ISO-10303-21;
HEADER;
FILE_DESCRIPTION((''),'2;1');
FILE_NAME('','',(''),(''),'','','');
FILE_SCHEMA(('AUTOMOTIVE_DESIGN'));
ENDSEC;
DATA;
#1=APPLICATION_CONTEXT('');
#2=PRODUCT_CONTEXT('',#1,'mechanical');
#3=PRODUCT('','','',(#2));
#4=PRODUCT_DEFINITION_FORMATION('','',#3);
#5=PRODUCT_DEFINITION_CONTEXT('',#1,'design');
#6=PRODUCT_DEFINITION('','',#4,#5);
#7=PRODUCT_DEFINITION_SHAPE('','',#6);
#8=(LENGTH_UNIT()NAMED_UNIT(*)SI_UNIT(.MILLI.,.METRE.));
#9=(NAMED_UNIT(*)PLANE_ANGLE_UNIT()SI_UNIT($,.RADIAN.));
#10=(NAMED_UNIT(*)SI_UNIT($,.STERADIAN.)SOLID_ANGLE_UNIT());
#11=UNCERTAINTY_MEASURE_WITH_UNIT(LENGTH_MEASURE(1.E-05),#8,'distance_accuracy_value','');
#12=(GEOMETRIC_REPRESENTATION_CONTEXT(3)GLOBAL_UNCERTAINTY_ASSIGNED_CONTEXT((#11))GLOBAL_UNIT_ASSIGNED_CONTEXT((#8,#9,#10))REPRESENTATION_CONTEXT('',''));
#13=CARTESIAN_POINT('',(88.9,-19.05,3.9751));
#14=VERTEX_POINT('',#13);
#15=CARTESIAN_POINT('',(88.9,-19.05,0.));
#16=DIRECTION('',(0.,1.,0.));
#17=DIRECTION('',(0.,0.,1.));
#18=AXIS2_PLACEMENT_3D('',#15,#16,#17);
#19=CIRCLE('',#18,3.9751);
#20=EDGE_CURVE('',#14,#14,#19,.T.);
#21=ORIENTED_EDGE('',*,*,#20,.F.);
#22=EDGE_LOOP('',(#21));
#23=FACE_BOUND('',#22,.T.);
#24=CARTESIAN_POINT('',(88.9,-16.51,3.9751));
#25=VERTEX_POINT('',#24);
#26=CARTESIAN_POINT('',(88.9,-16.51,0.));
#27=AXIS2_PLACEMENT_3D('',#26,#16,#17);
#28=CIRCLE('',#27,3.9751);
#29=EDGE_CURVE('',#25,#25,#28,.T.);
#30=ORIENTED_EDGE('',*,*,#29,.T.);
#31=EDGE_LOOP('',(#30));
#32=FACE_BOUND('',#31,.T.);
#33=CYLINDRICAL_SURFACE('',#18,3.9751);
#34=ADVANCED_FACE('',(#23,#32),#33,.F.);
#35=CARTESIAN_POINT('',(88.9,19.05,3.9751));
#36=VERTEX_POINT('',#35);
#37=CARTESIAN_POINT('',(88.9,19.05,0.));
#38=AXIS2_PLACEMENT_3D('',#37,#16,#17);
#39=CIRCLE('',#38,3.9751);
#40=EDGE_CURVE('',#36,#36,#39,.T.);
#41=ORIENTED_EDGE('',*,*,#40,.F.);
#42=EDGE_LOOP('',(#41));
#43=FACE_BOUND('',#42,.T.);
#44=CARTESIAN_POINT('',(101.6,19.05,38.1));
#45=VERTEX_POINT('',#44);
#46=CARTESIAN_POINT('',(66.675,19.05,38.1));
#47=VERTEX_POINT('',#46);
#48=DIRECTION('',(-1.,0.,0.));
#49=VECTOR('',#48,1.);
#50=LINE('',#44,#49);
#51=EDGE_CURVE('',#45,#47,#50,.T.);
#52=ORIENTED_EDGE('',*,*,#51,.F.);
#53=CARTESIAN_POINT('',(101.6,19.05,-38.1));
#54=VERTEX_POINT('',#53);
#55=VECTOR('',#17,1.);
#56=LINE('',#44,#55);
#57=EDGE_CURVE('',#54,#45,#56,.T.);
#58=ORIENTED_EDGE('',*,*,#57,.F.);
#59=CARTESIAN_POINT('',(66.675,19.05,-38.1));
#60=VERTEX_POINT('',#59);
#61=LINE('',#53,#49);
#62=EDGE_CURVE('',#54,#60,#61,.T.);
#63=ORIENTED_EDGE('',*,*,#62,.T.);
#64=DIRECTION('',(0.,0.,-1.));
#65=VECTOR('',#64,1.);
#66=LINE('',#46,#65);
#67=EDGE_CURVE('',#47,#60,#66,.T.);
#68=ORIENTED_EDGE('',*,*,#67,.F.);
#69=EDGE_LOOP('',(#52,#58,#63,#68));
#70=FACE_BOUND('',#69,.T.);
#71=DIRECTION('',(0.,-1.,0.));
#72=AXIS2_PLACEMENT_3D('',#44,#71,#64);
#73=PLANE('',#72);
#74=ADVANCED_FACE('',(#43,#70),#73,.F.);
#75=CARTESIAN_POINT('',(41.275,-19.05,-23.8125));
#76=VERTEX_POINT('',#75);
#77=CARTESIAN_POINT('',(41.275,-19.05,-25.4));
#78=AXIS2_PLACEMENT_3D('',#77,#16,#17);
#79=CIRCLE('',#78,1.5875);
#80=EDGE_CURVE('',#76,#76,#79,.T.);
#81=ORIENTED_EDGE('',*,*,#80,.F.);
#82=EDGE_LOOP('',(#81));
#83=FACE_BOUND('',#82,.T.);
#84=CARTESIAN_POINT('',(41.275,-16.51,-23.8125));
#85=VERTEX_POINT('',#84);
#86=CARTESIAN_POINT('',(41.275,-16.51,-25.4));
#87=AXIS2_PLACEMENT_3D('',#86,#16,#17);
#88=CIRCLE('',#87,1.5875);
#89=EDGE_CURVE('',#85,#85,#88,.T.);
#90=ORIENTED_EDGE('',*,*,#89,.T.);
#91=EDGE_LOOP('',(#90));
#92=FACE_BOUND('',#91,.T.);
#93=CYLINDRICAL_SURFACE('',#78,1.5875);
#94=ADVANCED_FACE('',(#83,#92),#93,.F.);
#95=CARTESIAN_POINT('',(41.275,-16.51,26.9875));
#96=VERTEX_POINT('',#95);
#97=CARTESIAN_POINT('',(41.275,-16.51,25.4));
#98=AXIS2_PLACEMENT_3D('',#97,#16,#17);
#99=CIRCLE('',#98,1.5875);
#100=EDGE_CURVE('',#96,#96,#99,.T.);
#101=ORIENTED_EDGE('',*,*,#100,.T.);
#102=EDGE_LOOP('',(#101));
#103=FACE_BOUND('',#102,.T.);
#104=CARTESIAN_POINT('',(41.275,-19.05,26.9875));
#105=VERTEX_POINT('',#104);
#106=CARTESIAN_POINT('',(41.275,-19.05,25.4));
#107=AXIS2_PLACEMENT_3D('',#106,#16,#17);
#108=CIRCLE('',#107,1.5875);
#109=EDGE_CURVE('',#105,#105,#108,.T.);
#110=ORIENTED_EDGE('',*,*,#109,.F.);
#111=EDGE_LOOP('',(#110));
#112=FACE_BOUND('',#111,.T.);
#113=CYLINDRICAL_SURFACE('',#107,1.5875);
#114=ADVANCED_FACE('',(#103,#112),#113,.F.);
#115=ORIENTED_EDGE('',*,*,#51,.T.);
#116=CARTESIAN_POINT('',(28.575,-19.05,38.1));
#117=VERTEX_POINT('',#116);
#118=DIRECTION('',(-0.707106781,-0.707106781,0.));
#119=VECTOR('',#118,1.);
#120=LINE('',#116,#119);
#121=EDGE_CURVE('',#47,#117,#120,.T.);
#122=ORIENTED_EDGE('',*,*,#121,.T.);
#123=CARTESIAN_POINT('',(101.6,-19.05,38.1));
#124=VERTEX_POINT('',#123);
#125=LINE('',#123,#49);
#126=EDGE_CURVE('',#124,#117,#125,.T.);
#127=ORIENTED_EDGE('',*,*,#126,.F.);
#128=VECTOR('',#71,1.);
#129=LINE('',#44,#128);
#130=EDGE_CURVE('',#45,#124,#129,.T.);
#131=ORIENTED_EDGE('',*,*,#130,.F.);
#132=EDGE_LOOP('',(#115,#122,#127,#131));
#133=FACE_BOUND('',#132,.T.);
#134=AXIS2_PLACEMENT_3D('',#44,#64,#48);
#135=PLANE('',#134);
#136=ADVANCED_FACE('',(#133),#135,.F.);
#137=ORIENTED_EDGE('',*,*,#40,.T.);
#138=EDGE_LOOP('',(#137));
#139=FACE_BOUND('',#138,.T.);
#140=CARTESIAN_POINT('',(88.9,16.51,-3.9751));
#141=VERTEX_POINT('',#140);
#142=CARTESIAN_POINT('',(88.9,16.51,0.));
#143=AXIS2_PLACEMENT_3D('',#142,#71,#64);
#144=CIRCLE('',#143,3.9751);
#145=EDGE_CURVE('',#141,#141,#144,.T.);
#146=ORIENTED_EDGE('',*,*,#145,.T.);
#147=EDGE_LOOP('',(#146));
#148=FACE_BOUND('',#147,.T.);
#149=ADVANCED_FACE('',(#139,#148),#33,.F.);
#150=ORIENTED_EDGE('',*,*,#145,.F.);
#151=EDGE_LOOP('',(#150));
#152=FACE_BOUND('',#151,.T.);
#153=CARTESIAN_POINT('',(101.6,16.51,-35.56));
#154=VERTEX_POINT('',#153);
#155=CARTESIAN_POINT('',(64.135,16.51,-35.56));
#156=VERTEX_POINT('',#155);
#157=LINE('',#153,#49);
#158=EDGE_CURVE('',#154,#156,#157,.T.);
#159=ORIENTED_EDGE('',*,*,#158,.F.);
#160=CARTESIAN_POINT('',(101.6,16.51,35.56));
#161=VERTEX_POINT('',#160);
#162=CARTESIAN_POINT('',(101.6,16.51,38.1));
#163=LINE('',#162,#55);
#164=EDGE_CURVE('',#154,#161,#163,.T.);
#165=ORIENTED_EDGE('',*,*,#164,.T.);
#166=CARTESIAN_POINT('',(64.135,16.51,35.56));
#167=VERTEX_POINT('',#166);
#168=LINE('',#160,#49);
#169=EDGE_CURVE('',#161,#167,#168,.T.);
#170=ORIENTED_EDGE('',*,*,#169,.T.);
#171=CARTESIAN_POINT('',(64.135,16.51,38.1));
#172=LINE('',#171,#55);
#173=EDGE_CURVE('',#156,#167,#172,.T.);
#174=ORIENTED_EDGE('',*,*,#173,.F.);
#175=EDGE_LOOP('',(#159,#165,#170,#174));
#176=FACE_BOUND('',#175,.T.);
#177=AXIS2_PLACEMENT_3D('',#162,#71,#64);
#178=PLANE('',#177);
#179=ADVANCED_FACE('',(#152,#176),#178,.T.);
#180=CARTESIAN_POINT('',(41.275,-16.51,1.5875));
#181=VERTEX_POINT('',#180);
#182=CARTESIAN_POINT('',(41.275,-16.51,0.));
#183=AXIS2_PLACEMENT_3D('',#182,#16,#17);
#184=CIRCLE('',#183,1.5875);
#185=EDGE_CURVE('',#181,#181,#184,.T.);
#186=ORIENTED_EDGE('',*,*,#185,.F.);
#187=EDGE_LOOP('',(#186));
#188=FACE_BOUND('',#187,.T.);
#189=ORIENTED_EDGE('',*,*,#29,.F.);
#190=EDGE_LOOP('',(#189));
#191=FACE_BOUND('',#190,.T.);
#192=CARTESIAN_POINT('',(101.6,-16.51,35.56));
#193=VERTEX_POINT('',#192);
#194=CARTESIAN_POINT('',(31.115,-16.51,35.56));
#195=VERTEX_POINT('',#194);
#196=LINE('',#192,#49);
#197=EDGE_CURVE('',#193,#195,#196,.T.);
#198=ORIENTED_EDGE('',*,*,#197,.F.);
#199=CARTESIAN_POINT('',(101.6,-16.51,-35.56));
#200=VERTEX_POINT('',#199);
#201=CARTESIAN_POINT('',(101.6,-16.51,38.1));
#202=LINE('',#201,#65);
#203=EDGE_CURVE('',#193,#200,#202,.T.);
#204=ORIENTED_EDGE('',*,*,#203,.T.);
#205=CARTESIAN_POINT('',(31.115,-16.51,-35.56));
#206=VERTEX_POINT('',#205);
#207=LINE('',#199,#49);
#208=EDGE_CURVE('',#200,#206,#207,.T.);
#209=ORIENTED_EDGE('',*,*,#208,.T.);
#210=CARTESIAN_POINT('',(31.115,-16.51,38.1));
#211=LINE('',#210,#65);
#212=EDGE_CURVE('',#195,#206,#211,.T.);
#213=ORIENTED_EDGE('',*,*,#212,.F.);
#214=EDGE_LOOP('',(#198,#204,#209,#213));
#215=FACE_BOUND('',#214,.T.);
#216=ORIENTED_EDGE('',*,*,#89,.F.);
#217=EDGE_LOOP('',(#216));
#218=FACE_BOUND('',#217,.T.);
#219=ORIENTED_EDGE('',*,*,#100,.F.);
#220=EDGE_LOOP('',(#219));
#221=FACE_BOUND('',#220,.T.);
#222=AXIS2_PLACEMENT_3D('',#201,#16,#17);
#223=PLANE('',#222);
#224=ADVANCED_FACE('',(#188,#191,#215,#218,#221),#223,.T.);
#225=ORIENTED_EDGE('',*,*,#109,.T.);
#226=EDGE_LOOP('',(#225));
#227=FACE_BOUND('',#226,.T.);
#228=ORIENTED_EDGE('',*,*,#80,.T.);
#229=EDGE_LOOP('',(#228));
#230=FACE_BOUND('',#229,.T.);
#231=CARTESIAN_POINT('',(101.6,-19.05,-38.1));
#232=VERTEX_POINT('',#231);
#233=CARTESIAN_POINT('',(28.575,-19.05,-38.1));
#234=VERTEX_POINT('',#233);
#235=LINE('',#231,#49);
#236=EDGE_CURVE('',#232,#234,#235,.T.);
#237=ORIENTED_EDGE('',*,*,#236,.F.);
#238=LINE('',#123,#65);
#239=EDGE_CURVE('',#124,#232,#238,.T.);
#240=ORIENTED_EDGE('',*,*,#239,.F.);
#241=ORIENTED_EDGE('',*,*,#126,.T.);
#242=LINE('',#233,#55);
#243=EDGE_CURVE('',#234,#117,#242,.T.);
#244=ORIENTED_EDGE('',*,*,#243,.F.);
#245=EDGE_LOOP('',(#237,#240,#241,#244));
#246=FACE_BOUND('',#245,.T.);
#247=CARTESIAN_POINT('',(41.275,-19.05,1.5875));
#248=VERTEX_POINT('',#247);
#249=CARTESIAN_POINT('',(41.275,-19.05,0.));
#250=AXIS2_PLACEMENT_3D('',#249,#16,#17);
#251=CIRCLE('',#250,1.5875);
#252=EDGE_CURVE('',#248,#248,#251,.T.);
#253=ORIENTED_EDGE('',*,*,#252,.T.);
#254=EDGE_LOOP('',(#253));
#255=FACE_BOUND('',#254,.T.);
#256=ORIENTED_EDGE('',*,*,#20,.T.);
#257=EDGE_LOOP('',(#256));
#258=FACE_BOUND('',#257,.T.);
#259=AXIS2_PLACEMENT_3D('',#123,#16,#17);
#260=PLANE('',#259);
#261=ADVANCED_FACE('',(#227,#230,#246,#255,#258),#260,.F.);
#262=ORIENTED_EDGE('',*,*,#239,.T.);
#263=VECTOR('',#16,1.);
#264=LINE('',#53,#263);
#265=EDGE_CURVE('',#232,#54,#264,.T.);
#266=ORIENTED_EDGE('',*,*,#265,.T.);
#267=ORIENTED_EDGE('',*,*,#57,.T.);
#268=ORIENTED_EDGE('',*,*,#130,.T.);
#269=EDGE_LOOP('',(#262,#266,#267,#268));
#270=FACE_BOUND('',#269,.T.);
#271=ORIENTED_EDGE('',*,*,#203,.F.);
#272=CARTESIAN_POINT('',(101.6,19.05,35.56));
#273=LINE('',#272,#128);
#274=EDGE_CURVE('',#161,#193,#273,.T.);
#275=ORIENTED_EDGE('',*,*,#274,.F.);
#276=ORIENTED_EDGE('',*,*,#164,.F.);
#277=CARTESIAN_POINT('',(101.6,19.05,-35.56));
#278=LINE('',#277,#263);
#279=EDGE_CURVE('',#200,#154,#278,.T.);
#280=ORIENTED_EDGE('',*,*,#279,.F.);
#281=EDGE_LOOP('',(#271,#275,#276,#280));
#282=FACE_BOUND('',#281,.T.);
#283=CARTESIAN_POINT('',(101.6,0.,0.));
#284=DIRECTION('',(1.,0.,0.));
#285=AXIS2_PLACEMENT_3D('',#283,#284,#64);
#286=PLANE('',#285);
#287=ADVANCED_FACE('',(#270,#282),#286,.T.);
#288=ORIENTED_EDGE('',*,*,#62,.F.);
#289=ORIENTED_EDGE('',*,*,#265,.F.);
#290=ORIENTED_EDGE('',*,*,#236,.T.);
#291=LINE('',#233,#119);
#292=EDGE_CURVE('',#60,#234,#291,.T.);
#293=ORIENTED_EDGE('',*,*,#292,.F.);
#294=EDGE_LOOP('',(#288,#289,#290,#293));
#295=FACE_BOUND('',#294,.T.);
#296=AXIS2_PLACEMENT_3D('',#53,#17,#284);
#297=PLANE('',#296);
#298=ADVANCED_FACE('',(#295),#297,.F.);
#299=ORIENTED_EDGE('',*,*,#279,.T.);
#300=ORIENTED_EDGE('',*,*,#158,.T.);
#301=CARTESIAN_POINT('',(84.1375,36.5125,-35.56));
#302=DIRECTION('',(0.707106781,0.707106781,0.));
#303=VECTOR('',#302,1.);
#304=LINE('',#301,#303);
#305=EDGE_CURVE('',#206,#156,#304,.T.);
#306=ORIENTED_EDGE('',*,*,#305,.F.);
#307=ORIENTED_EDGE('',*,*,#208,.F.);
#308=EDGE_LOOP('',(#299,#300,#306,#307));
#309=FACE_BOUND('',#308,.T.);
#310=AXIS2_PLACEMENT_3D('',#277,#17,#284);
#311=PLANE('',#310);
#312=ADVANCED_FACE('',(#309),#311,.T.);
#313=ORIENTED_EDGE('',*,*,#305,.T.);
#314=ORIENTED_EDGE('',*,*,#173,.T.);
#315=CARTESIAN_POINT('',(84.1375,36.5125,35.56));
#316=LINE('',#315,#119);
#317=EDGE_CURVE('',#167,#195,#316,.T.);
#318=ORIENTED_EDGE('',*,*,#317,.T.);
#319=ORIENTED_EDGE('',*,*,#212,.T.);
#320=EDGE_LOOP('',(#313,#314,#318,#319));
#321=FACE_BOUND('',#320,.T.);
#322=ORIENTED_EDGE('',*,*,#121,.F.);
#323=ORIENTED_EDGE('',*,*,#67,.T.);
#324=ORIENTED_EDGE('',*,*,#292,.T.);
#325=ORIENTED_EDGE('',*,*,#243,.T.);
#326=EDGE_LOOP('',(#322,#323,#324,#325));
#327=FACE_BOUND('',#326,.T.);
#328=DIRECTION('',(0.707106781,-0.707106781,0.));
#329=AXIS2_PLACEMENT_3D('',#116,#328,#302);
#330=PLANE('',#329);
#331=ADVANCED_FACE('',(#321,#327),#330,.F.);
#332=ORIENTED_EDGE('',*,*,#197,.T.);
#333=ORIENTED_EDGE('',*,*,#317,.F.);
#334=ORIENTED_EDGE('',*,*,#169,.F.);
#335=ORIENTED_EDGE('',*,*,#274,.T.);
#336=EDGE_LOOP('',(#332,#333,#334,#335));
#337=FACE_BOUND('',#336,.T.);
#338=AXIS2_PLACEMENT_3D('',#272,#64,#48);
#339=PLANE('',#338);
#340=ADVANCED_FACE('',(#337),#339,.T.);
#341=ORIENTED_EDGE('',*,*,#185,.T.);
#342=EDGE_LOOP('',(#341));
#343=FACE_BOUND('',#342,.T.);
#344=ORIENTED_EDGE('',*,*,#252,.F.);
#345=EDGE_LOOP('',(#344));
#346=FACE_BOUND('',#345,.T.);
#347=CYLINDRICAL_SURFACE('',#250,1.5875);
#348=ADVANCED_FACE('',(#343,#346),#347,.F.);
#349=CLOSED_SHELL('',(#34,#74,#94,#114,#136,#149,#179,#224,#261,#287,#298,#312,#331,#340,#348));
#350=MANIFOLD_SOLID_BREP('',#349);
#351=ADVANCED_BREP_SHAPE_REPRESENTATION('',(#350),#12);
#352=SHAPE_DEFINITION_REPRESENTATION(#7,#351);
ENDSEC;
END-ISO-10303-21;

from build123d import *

# Parameters (mm, degrees)
SKETCH1_W           = 76.2
SKETCH1_H           = 38.1
SKETCH1_W_2         = 71.12
SKETCH1_H_2         = 33.02
EXTRUDE_THIN1_DEPTH = 101.6
SKETCH7_R           = 3.9751
CUT_EXTRUDE6_DEPTH  = 39.1
SKETCH10_W          = 76.2
SKETCH10_H          = 38.1
CUT_EXTRUDE9_DEPTH  = 28.575
CUT_EXTRUDE10_DEPTH = 77.2
SKETCH9_R           = 1.5875
CUT_EXTRUDE11_DEPTH = 3.54


with BuildPart() as part:
    # Sketch1 → Extrude-Thin1 (new body)
    with BuildSketch(Plane(origin=(0, 0, 0), x_dir=(0, 0, -1), z_dir=(1, 0, 0))):
        Rectangle(SKETCH1_W, SKETCH1_H)
        Rectangle(SKETCH1_W_2, SKETCH1_H_2, mode=Mode.SUBTRACT)
    extrude(amount=EXTRUDE_THIN1_DEPTH)

    # Sketch7 → Cut-Extrude6 (cut, through all)
    with BuildSketch(Plane(origin=(0, 19.05, 0), x_dir=(1, 0, 0), z_dir=(0, 1, 0))):
        with Locations((88.9, 0)):
            Circle(SKETCH7_R)
    extrude(amount=-CUT_EXTRUDE6_DEPTH, mode=Mode.SUBTRACT)

    # Sketch10 → Cut-Extrude9 (cut)
    with BuildSketch(Plane.ZY):
        Rectangle(SKETCH10_W, SKETCH10_H)
    extrude(amount=-CUT_EXTRUDE9_DEPTH, mode=Mode.SUBTRACT)

    # Sketch11 → Cut-Extrude10 (cut, through all)
    with BuildSketch(Plane(origin=(0, 0, -38.1), x_dir=(-1, 0, 0), z_dir=(0, 0, -1))):
        Polygon((-28.575, -19.05), (-66.675, 19.05), (-28.575, 19.05), align=None)
    extrude(amount=-CUT_EXTRUDE10_DEPTH, mode=Mode.SUBTRACT)

    # Sketch9 → Cut-Extrude11 (cut, through all)
    with BuildSketch(Plane(origin=(0, -16.51, 0), x_dir=(1, 0, 0), z_dir=(0, 1, 0))):
        with Locations((41.275, 0)):
            Circle(SKETCH9_R)
        with Locations((41.275, -25.4)):
            Circle(SKETCH9_R)
        with Locations((41.275, 25.4)):
            Circle(SKETCH9_R)
    extrude(amount=-CUT_EXTRUDE11_DEPTH, mode=Mode.SUBTRACT)


solid = part.part
